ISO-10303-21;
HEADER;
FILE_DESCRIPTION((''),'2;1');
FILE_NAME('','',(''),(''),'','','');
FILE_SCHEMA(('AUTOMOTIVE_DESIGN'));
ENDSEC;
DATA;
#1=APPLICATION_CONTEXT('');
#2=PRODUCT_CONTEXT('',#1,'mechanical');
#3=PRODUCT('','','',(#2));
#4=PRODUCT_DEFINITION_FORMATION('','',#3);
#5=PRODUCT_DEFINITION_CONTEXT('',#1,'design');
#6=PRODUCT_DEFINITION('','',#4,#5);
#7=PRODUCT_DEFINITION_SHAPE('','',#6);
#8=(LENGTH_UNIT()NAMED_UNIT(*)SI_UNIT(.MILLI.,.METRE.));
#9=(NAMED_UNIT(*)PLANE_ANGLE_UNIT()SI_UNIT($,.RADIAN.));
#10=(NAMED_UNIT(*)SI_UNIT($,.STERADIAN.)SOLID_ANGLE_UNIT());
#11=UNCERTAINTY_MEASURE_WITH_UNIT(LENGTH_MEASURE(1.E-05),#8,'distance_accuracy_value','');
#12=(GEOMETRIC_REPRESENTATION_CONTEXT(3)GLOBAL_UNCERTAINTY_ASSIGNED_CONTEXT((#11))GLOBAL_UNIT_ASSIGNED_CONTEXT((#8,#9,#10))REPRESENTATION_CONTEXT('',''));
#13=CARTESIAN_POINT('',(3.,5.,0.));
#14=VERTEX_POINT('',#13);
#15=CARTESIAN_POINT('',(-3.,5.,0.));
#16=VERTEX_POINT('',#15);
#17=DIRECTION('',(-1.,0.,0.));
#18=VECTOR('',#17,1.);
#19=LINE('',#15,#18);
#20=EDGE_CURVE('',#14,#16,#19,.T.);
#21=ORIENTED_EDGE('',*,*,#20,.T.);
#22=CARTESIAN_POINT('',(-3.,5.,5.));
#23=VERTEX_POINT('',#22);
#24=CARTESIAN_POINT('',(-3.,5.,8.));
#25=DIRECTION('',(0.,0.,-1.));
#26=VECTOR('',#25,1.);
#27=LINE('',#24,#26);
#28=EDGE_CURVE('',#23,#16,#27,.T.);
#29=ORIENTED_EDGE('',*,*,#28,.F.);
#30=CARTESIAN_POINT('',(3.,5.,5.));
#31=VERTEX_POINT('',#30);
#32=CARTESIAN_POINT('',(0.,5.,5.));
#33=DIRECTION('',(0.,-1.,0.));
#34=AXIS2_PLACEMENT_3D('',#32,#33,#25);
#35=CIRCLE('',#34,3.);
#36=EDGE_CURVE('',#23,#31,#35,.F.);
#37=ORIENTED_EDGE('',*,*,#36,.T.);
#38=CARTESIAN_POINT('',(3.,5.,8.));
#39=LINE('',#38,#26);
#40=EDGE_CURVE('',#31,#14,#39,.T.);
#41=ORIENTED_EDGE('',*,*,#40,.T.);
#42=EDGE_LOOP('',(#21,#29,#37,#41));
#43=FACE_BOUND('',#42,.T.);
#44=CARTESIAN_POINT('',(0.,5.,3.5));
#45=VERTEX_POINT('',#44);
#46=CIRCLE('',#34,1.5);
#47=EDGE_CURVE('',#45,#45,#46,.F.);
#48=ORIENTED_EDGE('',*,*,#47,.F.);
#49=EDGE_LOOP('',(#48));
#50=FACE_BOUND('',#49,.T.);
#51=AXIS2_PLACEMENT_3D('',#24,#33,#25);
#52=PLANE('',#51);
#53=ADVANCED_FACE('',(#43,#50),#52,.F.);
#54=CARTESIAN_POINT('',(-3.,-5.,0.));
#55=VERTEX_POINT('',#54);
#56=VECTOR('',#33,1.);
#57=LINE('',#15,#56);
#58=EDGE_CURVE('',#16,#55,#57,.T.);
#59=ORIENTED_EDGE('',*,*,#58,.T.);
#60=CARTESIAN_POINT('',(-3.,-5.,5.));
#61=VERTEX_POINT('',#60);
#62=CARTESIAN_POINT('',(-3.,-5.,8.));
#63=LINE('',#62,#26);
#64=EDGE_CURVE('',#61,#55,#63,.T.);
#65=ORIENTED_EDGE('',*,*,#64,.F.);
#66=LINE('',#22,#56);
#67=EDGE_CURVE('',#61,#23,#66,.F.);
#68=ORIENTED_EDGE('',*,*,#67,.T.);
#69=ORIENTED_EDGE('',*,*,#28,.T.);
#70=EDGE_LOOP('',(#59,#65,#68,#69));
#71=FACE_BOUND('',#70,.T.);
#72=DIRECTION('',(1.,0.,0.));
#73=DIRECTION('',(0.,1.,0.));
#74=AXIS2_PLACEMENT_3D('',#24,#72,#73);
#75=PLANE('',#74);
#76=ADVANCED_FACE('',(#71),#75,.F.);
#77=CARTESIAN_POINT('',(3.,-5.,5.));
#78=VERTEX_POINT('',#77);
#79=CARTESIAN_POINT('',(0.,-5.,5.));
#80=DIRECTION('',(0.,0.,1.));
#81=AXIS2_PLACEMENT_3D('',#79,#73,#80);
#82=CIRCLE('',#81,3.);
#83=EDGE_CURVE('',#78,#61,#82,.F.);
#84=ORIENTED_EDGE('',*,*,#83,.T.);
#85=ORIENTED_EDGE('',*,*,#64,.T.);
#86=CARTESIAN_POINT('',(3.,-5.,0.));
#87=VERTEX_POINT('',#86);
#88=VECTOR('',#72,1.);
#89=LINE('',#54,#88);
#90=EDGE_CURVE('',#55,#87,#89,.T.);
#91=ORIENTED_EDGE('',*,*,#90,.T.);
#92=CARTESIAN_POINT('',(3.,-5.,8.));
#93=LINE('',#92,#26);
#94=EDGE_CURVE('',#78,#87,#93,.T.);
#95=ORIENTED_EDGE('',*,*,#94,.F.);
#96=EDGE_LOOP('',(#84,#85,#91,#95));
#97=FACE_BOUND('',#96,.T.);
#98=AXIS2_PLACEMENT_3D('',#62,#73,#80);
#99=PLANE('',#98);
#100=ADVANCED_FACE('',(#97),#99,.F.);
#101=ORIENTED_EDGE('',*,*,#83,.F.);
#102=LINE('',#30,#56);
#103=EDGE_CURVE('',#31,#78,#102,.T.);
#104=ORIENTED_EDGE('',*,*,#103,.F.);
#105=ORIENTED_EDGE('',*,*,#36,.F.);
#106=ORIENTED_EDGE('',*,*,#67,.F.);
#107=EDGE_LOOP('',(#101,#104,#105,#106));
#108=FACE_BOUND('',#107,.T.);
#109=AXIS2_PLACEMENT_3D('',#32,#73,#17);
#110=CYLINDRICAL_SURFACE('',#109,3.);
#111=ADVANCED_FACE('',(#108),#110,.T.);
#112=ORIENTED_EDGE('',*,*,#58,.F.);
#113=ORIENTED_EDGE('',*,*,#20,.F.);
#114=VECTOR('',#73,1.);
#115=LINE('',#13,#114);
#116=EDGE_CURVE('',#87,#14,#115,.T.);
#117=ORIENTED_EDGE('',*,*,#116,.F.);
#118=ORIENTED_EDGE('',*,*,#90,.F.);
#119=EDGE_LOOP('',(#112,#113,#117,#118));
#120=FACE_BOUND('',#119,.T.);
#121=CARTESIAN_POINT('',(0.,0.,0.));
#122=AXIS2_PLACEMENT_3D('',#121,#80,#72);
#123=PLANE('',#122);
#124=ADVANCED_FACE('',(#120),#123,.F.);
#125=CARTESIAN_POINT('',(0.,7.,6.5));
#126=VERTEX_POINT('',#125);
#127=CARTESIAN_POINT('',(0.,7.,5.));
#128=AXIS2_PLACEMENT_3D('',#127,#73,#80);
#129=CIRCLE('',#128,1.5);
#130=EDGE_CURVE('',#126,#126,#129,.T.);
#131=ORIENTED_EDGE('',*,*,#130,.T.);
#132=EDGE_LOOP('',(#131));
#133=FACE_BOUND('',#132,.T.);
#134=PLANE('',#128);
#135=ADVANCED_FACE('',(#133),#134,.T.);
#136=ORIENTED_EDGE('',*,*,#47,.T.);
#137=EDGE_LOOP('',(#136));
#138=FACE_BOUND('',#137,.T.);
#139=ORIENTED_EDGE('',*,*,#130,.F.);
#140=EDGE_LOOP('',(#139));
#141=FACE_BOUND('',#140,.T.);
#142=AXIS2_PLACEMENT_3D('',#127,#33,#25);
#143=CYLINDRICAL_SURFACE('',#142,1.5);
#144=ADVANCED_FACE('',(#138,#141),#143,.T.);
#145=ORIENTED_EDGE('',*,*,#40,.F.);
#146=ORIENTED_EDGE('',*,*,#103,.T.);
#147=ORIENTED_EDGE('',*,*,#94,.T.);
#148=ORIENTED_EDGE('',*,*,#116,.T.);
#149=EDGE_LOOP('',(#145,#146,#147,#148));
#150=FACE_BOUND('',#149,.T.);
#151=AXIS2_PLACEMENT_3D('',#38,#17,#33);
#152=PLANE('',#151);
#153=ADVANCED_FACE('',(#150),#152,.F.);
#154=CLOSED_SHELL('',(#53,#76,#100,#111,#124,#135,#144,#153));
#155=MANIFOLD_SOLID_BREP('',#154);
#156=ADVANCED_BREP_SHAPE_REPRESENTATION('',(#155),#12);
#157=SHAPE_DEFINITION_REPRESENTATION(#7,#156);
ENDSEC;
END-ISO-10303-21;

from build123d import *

# Parameters (mm, degrees)
SKETCH1_W           = 6
SKETCH1_H           = 10
BOSS_EXTRUDE1_DEPTH = 8
FILLET2_RADIUS      = 3
FILLET2_LENGTH      = 10
SKETCH2_R           = 1.5
BOSS_EXTRUDE2_DEPTH = 2


with BuildPart() as part:
    # Sketch1 → Boss-Extrude1 (new body)
    with BuildSketch(Plane.XY):
        Rectangle(SKETCH1_W, SKETCH1_H)
    extrude(amount=BOSS_EXTRUDE1_DEPTH)

    # Fillet2: full round fillet: the end face becomes a half cylinder, R = half its width
    fillet2_face = Plane((0, 0, 8), x_dir=(0, -1, 0), z_dir=(0, 0, 1))  # on the end face: x along it, z out of the body
    fillet2_slab = fillet2_face.offset(-FILLET2_RADIUS / 2) * Box(FILLET2_LENGTH, 2 * FILLET2_RADIUS, FILLET2_RADIUS, mode=Mode.PRIVATE)  # the body's end, R deep
    fillet2_round = Plane((0, 0, 5), x_dir=(0, 0, 1), z_dir=(0, -1, 0)) * Cylinder(FILLET2_RADIUS, FILLET2_LENGTH, mode=Mode.PRIVATE)  # its axis R under the face
    add(fillet2_slab - fillet2_round, mode=Mode.SUBTRACT)

    # Sketch2 → Boss-Extrude2 (add)
    with BuildSketch(Plane(origin=(0, 5, 0), x_dir=(1, 0, 0), z_dir=(0, 1, 0))):
        with Locations(Location((0, -5, 0), (0, 0, 90))):
            Circle(SKETCH2_R)
    extrude(amount=BOSS_EXTRUDE2_DEPTH)


solid = part.part
